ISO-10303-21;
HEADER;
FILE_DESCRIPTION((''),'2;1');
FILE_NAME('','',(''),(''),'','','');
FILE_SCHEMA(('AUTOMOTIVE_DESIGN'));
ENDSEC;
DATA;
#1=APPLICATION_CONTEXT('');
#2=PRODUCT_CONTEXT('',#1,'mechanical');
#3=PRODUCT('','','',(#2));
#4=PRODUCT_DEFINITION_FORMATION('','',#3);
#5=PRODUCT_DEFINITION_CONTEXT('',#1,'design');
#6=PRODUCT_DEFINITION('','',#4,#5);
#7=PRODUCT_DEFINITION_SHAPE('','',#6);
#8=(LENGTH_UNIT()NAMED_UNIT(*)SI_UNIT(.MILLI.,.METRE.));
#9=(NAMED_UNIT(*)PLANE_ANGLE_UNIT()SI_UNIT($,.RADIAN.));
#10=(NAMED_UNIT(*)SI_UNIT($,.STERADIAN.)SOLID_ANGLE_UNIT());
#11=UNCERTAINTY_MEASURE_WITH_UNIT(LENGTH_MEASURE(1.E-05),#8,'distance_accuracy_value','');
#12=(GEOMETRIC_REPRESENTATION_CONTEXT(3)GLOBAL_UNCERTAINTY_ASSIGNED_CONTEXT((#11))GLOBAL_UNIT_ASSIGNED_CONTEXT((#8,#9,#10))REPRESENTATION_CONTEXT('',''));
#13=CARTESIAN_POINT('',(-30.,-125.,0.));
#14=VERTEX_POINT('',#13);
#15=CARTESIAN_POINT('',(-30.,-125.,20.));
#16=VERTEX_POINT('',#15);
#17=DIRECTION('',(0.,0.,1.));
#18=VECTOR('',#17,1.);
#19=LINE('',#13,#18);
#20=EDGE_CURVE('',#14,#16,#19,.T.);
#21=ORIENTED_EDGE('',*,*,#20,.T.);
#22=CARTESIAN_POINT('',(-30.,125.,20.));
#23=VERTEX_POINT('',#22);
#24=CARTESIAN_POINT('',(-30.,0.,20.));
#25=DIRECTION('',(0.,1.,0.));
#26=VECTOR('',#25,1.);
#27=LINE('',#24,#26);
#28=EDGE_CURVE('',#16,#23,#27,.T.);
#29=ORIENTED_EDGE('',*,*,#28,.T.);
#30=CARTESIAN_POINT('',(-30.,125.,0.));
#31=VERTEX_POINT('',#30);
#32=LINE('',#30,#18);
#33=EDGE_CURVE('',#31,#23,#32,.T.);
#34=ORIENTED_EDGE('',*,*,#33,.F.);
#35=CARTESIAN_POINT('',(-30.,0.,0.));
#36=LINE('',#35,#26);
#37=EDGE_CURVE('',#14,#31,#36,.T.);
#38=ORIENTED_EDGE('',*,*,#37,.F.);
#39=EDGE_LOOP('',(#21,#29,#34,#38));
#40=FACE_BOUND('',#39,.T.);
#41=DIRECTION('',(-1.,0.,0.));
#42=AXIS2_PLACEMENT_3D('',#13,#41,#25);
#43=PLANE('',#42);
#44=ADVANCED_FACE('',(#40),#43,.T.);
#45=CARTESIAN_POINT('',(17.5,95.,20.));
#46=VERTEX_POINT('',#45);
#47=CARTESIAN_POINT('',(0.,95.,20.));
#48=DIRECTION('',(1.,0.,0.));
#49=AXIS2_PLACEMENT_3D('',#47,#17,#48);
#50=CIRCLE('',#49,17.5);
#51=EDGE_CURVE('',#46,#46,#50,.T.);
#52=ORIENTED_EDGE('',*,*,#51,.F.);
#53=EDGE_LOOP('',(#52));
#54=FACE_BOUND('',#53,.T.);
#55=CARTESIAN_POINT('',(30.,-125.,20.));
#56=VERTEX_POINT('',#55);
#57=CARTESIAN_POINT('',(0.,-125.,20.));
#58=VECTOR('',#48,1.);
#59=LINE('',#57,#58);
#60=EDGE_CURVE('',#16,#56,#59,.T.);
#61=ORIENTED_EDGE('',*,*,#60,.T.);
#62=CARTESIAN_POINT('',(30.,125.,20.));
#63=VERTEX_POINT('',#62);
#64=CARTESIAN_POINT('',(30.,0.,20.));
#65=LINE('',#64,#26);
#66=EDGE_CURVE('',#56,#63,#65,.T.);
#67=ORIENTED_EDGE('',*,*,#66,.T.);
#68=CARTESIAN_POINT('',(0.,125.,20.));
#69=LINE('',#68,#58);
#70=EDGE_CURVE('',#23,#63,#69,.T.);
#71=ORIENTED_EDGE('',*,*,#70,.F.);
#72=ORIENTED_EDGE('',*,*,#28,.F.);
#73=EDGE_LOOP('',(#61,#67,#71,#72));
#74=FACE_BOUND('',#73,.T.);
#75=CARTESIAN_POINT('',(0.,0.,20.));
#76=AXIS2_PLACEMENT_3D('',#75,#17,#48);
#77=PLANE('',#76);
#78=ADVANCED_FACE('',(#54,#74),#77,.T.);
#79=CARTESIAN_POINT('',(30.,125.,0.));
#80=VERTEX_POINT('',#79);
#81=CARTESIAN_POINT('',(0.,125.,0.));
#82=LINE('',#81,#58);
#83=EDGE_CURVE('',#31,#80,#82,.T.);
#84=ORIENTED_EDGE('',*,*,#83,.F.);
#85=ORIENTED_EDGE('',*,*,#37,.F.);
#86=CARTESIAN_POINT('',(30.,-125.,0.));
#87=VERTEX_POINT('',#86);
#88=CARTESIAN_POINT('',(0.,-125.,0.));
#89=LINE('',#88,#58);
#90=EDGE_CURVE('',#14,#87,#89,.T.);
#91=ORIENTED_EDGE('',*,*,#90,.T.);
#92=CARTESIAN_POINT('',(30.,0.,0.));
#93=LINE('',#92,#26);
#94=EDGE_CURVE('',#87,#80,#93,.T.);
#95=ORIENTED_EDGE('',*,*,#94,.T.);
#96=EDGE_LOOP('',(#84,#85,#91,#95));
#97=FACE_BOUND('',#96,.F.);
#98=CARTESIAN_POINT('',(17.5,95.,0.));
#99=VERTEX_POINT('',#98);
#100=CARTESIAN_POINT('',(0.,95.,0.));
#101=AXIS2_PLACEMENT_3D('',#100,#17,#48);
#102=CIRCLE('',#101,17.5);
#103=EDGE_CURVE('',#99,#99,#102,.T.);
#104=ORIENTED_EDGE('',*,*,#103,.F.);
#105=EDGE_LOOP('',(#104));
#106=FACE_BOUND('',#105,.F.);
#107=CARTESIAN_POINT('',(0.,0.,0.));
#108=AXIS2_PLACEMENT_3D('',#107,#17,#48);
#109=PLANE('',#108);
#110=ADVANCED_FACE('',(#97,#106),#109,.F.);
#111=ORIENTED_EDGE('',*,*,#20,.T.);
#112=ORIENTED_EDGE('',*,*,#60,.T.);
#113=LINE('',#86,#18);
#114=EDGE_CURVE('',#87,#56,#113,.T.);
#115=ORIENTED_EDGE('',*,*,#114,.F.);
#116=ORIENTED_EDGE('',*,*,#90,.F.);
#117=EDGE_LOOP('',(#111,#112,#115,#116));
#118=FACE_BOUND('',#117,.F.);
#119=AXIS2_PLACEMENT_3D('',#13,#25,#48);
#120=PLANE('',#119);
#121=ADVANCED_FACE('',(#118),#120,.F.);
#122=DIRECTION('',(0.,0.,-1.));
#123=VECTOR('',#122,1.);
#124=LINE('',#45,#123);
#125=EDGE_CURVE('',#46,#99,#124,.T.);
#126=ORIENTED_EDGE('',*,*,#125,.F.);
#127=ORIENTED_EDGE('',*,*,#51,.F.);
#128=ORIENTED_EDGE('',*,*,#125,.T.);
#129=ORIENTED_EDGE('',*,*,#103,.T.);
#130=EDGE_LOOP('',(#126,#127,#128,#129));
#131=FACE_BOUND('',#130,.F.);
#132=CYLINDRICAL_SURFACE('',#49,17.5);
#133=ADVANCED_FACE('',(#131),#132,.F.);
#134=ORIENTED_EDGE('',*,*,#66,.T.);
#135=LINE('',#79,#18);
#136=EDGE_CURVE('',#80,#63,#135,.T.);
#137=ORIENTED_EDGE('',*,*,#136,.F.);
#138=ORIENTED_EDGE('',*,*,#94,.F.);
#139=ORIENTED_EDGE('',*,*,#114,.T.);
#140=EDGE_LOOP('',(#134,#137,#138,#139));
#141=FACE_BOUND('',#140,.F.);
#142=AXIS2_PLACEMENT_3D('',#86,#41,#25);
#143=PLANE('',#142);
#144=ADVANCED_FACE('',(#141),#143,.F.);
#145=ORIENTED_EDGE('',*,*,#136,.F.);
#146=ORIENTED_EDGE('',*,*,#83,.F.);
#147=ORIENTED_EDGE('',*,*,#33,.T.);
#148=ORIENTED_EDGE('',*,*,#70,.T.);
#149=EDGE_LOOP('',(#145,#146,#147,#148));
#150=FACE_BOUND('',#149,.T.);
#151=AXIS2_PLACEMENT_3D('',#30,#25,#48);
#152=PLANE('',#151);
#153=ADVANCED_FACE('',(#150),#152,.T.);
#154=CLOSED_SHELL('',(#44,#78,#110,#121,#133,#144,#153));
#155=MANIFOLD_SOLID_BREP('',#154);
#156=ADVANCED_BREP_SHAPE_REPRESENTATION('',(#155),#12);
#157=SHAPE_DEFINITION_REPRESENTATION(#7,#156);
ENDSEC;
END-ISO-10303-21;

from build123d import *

# Parameters (mm, degrees)
F0_W     = 60
F0_H     = 250
F1_DEPTH = 20
F2_R     = 17.5
F3_DEPTH = 20


with BuildPart() as f1:
    # F0 (on Top) → F1 (new body)
    with BuildSketch(Plane.XY):
        Rectangle(F0_W, F0_H)
    extrude(amount=F1_DEPTH)

    # F2 (on face) → F3 (cut, through all)
    with BuildSketch(Plane.XY.offset(20)):
        with Locations((0, 95)):
            Circle(F2_R)
    extrude(amount=-F3_DEPTH, mode=Mode.SUBTRACT)


solid = f1.part
